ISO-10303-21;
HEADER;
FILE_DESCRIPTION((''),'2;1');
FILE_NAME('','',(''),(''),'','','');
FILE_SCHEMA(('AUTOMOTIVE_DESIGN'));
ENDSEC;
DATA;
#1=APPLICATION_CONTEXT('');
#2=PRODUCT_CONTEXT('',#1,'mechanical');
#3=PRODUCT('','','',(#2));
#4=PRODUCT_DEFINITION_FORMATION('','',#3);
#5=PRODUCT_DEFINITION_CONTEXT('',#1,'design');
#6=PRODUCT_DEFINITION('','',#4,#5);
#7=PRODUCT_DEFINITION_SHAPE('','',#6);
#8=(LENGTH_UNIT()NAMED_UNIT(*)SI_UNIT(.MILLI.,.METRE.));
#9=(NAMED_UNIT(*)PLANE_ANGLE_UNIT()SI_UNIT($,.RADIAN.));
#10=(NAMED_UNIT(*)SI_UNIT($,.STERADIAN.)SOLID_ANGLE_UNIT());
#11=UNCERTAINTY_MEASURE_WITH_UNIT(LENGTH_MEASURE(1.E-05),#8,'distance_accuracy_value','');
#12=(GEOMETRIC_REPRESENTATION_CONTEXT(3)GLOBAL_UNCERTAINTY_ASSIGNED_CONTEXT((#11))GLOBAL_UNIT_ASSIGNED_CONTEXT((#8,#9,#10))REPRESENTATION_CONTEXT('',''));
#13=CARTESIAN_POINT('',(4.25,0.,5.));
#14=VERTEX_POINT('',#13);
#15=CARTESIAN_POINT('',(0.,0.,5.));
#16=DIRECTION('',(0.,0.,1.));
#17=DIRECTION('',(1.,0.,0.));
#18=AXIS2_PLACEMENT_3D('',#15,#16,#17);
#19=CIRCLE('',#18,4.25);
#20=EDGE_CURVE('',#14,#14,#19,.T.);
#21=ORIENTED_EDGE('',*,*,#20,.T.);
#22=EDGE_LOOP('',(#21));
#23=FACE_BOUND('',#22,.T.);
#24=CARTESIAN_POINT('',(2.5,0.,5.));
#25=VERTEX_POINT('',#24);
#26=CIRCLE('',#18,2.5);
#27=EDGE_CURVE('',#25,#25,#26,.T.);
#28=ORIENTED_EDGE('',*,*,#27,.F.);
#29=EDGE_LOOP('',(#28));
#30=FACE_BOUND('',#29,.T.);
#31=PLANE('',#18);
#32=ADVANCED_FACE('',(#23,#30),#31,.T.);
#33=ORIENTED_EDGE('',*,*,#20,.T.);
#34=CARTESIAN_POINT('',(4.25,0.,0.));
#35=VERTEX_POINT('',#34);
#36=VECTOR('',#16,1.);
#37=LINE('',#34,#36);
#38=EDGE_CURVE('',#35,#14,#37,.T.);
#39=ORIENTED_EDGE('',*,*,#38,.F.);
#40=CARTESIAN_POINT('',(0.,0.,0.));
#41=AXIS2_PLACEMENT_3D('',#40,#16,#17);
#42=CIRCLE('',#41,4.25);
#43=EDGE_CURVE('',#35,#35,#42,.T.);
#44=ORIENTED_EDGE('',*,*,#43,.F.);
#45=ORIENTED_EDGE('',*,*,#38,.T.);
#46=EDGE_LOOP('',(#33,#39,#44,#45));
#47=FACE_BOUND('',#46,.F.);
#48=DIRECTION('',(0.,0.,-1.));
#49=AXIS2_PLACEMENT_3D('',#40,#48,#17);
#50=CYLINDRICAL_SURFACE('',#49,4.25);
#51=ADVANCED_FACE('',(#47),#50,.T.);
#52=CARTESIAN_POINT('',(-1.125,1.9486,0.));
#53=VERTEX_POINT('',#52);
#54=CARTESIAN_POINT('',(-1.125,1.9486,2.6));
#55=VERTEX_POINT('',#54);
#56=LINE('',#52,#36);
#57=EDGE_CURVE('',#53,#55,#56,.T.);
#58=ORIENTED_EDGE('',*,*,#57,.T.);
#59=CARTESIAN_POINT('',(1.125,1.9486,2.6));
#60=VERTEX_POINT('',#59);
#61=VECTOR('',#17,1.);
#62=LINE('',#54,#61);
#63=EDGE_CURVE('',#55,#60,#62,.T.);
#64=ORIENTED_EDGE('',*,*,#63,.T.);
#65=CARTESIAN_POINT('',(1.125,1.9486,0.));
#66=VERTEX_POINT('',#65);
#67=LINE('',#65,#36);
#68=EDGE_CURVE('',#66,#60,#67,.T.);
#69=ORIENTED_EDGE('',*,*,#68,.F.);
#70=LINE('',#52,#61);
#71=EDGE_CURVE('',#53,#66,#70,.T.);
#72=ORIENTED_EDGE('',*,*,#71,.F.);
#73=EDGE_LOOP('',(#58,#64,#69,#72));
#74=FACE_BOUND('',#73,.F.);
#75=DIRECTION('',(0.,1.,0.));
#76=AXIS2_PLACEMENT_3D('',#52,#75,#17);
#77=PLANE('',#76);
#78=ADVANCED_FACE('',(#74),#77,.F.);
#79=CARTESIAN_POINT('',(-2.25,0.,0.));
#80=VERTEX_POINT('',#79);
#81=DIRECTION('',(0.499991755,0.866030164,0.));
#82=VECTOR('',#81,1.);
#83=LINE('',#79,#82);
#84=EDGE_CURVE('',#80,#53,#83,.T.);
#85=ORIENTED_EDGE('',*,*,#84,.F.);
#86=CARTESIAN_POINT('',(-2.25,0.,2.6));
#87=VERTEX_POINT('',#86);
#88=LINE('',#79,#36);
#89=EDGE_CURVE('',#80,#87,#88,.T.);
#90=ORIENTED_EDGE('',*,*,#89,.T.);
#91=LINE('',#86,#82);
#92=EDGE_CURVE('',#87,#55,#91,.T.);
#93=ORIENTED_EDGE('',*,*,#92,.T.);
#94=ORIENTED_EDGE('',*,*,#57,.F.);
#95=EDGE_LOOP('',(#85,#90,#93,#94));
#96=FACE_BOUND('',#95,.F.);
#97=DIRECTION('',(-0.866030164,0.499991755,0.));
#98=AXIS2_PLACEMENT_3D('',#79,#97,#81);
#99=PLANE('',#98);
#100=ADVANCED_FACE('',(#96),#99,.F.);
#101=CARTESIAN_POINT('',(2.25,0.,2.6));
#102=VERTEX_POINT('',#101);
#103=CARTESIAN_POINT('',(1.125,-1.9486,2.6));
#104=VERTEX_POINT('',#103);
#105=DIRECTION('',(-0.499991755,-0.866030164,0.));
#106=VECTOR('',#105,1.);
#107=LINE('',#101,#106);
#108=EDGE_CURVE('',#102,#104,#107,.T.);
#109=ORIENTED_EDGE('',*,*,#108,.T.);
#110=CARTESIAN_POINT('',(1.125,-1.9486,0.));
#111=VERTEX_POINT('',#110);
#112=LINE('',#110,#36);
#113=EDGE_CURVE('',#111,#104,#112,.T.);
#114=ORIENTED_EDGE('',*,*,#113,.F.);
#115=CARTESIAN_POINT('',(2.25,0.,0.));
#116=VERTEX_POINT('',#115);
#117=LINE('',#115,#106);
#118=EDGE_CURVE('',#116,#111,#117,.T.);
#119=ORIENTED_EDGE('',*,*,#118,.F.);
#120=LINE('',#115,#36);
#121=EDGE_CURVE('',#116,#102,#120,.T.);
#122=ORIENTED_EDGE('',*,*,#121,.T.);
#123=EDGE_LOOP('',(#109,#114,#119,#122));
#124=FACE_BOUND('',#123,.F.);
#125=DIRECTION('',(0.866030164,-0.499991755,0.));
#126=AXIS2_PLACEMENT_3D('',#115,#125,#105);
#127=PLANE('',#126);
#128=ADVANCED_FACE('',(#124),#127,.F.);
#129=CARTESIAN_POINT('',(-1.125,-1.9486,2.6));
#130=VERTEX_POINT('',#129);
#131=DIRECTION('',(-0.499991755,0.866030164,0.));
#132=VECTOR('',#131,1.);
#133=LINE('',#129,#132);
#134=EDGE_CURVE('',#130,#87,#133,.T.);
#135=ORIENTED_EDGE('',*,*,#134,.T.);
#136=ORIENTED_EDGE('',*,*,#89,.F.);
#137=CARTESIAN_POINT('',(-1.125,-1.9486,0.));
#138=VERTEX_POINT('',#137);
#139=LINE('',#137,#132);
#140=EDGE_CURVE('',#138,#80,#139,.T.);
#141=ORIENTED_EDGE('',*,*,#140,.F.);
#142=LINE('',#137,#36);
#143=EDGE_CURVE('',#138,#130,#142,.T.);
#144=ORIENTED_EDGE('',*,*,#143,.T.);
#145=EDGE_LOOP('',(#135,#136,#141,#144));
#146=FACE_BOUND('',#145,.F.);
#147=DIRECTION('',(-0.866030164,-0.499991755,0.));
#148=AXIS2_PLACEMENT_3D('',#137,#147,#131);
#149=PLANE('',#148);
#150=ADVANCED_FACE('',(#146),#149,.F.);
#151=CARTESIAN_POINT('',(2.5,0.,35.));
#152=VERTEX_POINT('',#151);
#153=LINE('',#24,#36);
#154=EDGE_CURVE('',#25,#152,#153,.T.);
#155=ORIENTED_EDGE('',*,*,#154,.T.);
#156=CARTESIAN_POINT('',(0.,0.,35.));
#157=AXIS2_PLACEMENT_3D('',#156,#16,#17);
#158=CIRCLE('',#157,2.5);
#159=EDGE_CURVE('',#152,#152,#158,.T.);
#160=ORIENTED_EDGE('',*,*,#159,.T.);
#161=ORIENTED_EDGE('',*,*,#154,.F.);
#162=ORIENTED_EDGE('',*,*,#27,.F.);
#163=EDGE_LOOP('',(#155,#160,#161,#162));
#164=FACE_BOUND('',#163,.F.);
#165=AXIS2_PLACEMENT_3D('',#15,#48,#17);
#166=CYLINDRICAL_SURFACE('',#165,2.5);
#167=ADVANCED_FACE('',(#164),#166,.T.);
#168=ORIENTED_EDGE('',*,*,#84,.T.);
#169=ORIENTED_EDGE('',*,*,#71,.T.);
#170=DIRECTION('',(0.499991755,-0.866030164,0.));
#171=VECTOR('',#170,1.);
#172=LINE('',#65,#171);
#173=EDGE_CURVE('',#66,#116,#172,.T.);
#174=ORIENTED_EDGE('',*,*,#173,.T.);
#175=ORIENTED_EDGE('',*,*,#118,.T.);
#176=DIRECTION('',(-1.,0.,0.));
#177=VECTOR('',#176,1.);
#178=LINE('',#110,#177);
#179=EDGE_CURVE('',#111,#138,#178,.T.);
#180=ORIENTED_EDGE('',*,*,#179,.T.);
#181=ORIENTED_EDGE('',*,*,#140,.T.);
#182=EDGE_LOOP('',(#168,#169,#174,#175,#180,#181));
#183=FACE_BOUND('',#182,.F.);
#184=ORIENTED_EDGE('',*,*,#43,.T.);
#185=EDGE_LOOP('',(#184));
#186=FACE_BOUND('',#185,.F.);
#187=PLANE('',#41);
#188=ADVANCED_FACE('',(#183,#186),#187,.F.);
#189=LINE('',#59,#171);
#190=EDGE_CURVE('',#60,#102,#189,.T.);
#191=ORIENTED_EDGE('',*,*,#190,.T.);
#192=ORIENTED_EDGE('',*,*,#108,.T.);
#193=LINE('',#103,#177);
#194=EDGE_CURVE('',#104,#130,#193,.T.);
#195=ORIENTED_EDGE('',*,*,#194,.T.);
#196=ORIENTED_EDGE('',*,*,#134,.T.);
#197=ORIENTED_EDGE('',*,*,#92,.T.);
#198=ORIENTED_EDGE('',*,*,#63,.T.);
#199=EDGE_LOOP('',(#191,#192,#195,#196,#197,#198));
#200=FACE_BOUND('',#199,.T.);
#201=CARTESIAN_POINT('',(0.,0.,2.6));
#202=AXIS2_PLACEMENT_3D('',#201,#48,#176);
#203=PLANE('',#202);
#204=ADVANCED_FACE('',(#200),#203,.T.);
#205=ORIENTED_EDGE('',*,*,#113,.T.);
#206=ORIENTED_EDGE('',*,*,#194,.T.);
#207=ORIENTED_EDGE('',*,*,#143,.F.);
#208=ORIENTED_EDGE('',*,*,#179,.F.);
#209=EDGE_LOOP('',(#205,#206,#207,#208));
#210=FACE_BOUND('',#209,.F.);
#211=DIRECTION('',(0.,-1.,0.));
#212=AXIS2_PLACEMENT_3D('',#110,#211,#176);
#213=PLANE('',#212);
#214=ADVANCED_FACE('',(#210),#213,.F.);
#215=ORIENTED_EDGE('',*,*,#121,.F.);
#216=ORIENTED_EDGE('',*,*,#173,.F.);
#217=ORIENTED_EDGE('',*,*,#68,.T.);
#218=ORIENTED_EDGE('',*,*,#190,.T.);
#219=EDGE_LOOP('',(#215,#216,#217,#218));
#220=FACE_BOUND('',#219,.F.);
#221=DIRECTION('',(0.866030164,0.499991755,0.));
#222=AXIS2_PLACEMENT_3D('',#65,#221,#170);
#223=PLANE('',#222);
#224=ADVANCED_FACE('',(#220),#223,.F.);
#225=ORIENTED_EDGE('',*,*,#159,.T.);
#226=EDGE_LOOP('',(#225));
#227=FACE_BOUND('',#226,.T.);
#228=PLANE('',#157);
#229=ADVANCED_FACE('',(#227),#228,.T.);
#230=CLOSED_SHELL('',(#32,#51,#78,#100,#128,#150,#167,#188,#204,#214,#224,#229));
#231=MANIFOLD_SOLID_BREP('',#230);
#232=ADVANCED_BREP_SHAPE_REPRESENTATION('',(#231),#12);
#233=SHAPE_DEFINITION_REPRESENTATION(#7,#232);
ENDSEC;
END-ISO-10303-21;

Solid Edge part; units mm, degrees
sketch "Sketch1" plane through (0, 0, 0) normal (0, 0, 1) x (1, 0, 0)
  circle A0 centre (0, 0) radius 4.25
  dimension "D1" = 8.5
extrude "Protrusion1" add sketch "Sketch1" along normal blind 5
sketch "Sketch2" plane through (0, 0, 5) normal (0, 0, 1) x (1, 0, 0)
  circle A0 centre (0, 0) radius 2.5
extrude "ExtrudedProtrusion_2" add sketch "Sketch2" along normal blind 30
sketch "Sketch3" plane through (0, 0, 0) normal (0, 0, -1) x (-1, 0, 0)
  line L0 (2.25, 0) -> (1.125, 1.9486)
  line L1 (1.125, 1.9486) -> (-1.125, 1.9486)
  line L2 (-1.125, 1.9486) -> (-2.25, 0)
  line L3 (-2.25, 0) -> (-1.125, -1.9486)
  line L4 (-1.125, -1.9486) -> (1.125, -1.9486)
  line L5 (1.125, -1.9486) -> (2.25, 0)
extrude "ExtrudedCutout_1" cut sketch "Sketch3" against normal blind 2.6
properties material "Stainless steel"
